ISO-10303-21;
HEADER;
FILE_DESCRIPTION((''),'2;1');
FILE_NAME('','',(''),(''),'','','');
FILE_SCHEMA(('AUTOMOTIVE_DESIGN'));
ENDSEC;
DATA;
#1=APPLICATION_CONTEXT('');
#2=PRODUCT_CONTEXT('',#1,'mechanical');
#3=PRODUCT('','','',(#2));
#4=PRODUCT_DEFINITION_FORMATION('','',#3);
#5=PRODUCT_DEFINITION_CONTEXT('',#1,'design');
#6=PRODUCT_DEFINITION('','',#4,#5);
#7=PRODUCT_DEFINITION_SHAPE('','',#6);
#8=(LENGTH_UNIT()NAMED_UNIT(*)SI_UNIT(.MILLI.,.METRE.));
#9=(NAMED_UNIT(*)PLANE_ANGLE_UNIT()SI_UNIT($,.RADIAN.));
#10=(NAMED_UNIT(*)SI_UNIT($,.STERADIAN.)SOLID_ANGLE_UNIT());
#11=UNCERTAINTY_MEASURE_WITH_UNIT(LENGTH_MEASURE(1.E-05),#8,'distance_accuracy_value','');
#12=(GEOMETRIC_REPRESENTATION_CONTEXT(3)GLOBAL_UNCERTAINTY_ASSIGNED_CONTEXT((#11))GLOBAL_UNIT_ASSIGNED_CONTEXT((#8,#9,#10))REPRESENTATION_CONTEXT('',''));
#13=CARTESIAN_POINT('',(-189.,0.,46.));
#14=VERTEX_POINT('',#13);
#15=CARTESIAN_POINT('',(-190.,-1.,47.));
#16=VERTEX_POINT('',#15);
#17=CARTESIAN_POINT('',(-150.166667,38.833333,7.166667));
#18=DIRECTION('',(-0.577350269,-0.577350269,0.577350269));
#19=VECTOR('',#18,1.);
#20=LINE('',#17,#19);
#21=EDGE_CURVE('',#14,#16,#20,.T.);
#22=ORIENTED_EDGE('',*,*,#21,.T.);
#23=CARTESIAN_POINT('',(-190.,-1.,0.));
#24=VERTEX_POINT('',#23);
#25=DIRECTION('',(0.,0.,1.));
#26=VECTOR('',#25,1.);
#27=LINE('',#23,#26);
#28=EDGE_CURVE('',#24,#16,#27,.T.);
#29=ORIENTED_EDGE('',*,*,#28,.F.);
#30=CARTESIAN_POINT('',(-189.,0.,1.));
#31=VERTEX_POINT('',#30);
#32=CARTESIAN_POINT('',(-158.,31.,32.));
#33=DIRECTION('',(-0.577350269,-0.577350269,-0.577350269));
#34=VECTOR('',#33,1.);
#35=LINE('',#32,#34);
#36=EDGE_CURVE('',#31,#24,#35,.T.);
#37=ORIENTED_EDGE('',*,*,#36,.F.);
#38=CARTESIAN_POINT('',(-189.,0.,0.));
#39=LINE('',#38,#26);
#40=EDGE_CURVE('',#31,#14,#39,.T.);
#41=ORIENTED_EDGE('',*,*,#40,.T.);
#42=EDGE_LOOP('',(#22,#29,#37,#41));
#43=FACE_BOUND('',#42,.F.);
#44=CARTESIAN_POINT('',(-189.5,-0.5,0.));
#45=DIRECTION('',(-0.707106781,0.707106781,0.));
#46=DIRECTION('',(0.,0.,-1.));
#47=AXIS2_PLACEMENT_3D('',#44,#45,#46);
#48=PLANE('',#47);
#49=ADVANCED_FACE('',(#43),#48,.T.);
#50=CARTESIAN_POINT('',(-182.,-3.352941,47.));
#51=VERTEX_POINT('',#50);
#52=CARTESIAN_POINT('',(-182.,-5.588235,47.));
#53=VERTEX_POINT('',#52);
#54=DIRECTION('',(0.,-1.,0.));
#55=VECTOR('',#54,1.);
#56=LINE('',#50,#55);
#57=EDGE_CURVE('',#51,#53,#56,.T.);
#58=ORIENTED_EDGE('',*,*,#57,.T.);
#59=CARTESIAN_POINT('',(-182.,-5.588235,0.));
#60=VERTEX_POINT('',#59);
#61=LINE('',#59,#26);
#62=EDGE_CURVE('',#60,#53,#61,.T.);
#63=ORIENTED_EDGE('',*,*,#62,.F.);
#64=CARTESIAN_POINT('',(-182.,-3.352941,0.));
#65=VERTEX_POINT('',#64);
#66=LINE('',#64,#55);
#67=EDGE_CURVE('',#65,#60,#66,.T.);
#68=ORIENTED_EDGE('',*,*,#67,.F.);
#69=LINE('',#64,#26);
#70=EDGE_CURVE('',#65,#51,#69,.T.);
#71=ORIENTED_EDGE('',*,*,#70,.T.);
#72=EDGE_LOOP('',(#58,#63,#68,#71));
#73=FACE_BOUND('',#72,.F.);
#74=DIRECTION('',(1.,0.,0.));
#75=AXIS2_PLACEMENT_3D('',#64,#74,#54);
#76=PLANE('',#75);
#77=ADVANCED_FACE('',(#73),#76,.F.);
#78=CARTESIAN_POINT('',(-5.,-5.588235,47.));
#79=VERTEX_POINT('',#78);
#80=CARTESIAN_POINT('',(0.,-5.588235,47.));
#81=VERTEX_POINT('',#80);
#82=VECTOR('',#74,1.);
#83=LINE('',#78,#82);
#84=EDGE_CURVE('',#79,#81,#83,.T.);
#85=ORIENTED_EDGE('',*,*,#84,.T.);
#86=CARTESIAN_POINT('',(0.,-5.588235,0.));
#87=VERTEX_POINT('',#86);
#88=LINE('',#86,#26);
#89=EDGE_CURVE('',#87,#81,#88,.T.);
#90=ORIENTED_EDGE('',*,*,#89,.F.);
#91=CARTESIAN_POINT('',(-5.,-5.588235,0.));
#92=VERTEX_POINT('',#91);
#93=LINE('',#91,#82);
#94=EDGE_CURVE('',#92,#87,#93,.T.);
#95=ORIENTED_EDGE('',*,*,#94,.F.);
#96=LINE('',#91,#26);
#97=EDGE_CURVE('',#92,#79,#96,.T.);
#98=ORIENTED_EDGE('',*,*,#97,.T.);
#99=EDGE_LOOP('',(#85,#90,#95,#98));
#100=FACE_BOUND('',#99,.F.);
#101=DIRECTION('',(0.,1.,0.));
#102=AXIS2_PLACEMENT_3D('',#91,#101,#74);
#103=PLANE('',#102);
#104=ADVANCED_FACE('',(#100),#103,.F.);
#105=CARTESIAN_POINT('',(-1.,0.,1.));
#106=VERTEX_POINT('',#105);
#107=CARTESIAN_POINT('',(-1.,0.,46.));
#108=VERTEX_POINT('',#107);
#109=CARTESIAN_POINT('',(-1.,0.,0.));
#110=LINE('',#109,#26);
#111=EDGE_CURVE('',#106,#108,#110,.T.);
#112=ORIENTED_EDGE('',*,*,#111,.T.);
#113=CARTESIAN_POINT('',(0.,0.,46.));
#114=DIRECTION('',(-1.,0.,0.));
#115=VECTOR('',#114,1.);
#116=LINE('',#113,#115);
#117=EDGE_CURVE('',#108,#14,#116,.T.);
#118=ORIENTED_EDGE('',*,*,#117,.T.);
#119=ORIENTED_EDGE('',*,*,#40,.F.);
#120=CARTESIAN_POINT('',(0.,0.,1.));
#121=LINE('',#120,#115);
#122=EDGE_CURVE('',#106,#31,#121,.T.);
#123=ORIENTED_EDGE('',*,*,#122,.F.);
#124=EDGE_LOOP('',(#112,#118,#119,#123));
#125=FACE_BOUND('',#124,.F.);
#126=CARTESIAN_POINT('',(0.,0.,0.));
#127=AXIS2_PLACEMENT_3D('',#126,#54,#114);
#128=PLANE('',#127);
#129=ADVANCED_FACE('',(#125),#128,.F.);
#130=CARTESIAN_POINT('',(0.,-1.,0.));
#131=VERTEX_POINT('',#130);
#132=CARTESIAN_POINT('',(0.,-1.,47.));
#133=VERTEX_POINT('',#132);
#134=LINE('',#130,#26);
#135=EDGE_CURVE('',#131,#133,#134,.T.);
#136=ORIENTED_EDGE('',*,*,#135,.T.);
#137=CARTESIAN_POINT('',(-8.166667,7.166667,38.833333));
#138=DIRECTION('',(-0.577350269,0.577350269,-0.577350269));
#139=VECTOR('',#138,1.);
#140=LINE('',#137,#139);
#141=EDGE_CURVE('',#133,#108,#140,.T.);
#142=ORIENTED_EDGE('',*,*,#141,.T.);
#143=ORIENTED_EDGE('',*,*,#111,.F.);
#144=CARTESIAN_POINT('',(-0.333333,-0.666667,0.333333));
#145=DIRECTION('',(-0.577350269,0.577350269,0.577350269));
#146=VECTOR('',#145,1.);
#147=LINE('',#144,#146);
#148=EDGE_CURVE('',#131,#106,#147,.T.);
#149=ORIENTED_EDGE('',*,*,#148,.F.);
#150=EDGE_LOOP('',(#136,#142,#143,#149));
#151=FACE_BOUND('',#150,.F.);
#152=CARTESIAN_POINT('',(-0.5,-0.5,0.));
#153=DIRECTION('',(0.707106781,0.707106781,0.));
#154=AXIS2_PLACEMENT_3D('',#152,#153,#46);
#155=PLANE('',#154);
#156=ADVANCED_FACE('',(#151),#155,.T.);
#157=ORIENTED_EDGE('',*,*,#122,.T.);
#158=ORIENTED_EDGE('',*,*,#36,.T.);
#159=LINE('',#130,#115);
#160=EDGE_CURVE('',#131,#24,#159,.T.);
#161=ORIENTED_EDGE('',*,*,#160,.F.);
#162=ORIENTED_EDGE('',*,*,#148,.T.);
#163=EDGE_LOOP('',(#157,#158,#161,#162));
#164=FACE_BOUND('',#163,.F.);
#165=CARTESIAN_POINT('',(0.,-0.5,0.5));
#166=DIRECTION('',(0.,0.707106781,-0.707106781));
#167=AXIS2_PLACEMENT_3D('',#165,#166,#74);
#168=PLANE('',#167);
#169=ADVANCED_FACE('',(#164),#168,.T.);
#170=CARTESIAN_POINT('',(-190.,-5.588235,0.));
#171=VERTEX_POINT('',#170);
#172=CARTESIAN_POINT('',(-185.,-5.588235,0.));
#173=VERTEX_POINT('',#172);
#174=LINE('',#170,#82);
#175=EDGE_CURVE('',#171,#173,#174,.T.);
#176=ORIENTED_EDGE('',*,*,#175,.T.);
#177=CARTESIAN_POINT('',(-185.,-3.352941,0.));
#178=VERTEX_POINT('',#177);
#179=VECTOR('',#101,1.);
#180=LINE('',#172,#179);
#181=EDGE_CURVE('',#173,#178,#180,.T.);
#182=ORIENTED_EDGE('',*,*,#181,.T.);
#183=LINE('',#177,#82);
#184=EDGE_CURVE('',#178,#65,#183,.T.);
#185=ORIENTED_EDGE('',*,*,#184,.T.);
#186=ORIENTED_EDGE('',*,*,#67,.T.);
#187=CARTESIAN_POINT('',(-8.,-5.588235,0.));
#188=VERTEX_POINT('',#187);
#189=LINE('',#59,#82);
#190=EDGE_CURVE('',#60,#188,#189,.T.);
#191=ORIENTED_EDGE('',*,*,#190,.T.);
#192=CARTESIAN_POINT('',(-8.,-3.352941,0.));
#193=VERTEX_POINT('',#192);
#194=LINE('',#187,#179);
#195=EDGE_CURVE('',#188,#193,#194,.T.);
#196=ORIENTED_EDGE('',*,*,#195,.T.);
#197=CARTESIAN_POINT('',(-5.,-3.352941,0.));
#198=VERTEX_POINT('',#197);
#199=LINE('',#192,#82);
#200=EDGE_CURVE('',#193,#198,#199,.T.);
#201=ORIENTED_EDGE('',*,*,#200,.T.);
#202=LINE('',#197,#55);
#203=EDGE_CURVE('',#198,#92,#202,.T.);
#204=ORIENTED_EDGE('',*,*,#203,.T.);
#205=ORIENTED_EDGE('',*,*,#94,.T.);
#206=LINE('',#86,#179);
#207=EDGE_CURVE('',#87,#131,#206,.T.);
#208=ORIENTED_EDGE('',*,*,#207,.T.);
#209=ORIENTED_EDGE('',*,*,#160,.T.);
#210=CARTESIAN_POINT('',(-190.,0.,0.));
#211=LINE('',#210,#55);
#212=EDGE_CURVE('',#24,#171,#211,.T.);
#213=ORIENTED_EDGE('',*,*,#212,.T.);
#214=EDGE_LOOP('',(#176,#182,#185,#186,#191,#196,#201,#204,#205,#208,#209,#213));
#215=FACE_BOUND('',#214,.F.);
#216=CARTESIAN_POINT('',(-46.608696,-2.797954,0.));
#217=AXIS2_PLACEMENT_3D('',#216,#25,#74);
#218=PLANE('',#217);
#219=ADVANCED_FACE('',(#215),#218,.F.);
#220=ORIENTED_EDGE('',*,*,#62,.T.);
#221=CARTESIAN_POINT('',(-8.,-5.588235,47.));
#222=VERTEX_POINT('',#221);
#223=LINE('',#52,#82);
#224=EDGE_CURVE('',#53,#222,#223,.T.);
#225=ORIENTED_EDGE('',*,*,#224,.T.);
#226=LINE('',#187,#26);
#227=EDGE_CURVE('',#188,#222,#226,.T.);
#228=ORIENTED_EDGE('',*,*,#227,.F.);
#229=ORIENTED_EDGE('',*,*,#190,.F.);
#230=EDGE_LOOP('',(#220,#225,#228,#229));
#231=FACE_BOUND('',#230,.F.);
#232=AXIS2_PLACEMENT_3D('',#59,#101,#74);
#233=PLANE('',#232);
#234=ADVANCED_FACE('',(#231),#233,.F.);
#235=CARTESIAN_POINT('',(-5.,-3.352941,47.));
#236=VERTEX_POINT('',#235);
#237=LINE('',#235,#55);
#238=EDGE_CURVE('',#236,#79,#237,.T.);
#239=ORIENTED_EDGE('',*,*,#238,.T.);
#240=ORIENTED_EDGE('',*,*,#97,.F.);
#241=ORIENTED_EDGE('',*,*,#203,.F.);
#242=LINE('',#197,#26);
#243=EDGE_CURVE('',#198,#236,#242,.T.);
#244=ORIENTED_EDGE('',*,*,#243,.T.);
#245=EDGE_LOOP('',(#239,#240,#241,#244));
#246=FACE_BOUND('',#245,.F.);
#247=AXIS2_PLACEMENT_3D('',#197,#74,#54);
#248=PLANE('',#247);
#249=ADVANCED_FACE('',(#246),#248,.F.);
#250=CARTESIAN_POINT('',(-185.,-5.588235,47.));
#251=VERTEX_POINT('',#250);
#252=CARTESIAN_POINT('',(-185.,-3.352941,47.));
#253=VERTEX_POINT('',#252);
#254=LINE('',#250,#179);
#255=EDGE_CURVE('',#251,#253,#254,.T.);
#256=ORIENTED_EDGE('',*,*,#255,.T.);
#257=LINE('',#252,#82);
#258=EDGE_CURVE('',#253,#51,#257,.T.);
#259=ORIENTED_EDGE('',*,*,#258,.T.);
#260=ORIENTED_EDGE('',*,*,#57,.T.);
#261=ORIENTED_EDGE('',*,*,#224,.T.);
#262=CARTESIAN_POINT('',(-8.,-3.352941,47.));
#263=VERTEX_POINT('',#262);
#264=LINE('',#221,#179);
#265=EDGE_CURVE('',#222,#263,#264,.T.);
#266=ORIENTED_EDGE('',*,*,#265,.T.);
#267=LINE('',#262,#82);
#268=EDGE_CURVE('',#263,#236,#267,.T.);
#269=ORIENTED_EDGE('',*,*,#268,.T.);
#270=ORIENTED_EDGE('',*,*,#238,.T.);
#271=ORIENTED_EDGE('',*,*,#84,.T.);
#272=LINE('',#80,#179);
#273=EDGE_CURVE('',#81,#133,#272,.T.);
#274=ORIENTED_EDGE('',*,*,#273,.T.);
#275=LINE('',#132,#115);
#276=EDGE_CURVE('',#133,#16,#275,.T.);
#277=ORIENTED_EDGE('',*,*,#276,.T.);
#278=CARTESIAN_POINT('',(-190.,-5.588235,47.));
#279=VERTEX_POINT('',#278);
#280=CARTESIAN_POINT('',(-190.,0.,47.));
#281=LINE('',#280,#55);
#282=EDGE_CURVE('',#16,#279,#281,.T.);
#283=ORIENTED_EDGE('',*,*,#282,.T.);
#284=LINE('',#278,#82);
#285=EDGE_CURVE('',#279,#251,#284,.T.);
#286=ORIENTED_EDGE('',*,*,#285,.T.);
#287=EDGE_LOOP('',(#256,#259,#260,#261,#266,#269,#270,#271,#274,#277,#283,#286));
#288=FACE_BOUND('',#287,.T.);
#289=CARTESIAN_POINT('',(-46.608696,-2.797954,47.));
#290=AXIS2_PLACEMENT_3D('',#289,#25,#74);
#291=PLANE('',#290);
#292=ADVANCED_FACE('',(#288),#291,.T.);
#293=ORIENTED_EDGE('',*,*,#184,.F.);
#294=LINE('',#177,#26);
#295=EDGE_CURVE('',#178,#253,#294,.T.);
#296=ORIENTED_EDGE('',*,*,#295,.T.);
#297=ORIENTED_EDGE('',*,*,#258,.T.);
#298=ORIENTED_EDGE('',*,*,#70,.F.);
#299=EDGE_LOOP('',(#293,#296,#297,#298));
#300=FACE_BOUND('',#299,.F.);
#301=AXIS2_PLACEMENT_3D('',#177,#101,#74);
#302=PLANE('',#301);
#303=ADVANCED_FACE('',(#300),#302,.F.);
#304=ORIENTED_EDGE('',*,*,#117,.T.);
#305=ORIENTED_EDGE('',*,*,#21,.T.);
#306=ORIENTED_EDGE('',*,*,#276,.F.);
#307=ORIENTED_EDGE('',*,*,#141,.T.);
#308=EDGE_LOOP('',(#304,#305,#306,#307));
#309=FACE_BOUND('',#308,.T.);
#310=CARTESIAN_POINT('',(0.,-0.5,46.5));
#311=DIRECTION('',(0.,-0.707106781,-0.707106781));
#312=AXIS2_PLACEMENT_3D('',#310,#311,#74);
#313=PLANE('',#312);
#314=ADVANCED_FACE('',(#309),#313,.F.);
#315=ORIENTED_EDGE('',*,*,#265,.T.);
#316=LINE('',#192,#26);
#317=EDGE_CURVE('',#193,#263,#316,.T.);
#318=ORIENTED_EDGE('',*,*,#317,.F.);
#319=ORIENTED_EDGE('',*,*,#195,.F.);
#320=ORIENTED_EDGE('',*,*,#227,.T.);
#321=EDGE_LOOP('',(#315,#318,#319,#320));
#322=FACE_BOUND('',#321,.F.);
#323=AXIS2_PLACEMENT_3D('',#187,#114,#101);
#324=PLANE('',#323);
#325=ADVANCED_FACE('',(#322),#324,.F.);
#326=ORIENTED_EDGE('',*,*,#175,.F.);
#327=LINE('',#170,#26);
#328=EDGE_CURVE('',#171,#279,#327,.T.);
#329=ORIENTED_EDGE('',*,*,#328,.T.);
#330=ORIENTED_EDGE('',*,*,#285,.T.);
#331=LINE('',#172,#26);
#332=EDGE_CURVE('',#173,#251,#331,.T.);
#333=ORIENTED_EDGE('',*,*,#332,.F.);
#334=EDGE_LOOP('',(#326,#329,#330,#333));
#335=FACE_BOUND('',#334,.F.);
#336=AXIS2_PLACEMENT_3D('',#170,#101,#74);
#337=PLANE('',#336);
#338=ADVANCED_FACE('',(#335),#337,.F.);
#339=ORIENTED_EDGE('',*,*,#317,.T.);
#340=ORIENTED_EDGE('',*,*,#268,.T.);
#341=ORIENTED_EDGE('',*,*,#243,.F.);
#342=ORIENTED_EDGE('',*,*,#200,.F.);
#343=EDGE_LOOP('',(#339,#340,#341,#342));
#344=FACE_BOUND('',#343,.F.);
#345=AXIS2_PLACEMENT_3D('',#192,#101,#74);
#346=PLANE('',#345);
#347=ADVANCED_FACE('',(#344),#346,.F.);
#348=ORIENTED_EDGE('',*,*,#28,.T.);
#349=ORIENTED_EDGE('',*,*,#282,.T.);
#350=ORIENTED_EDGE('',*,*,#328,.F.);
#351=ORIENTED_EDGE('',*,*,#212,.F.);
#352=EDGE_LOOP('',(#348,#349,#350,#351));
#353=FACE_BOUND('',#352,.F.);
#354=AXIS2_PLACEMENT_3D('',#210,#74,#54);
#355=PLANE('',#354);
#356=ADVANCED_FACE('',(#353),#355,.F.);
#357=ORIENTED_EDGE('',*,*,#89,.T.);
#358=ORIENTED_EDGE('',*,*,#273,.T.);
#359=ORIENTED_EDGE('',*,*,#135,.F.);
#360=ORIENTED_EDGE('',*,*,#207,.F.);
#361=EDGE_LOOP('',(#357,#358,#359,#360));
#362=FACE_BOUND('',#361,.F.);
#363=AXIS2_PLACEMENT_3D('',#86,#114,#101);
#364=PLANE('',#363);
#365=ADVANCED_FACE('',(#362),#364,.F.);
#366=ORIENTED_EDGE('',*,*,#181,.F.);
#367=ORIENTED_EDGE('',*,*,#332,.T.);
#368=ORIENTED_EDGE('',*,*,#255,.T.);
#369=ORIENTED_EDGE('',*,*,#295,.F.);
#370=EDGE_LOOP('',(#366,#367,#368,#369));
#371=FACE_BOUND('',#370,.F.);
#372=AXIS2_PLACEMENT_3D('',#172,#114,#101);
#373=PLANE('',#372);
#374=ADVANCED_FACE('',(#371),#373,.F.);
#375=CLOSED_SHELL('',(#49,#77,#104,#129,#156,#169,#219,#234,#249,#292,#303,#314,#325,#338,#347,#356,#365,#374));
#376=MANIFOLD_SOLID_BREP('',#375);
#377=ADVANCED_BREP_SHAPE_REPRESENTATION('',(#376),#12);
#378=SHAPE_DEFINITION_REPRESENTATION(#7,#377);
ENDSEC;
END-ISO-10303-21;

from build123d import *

# Parameters (mm, degrees)
F1_DEPTH = 47
F2_SIZE  = 1


with BuildPart() as f1:
    # F0 (on Top) → F1 (new body)
    with BuildSketch(Plane.XY):
        Polygon((0, -5.588235), (0, 0), (-95, 0), (-95, -5.588235), (-8, -5.588235), (-8, -3.352941), (-5, -3.352941), (-5, -5.588235), align=None)
        Polygon((-95, -5.588235), (-95, 0), (-190, 0), (-190, -5.588235), (-185, -5.588235), (-185, -3.352941), (-182, -3.352941), (-182, -5.588235), align=None)
    extrude(amount=F1_DEPTH)

    # F2
    f2_edges = [f1.edges().sort_by_distance(p)[0] for p in [
        (0, 0, 23.5),
        (-95, 0, 47),
        (-190, 0, 23.5),
        (-95, 0, 0),
    ]]
    chamfer(f2_edges, length=F2_SIZE)


solid = f1.part
